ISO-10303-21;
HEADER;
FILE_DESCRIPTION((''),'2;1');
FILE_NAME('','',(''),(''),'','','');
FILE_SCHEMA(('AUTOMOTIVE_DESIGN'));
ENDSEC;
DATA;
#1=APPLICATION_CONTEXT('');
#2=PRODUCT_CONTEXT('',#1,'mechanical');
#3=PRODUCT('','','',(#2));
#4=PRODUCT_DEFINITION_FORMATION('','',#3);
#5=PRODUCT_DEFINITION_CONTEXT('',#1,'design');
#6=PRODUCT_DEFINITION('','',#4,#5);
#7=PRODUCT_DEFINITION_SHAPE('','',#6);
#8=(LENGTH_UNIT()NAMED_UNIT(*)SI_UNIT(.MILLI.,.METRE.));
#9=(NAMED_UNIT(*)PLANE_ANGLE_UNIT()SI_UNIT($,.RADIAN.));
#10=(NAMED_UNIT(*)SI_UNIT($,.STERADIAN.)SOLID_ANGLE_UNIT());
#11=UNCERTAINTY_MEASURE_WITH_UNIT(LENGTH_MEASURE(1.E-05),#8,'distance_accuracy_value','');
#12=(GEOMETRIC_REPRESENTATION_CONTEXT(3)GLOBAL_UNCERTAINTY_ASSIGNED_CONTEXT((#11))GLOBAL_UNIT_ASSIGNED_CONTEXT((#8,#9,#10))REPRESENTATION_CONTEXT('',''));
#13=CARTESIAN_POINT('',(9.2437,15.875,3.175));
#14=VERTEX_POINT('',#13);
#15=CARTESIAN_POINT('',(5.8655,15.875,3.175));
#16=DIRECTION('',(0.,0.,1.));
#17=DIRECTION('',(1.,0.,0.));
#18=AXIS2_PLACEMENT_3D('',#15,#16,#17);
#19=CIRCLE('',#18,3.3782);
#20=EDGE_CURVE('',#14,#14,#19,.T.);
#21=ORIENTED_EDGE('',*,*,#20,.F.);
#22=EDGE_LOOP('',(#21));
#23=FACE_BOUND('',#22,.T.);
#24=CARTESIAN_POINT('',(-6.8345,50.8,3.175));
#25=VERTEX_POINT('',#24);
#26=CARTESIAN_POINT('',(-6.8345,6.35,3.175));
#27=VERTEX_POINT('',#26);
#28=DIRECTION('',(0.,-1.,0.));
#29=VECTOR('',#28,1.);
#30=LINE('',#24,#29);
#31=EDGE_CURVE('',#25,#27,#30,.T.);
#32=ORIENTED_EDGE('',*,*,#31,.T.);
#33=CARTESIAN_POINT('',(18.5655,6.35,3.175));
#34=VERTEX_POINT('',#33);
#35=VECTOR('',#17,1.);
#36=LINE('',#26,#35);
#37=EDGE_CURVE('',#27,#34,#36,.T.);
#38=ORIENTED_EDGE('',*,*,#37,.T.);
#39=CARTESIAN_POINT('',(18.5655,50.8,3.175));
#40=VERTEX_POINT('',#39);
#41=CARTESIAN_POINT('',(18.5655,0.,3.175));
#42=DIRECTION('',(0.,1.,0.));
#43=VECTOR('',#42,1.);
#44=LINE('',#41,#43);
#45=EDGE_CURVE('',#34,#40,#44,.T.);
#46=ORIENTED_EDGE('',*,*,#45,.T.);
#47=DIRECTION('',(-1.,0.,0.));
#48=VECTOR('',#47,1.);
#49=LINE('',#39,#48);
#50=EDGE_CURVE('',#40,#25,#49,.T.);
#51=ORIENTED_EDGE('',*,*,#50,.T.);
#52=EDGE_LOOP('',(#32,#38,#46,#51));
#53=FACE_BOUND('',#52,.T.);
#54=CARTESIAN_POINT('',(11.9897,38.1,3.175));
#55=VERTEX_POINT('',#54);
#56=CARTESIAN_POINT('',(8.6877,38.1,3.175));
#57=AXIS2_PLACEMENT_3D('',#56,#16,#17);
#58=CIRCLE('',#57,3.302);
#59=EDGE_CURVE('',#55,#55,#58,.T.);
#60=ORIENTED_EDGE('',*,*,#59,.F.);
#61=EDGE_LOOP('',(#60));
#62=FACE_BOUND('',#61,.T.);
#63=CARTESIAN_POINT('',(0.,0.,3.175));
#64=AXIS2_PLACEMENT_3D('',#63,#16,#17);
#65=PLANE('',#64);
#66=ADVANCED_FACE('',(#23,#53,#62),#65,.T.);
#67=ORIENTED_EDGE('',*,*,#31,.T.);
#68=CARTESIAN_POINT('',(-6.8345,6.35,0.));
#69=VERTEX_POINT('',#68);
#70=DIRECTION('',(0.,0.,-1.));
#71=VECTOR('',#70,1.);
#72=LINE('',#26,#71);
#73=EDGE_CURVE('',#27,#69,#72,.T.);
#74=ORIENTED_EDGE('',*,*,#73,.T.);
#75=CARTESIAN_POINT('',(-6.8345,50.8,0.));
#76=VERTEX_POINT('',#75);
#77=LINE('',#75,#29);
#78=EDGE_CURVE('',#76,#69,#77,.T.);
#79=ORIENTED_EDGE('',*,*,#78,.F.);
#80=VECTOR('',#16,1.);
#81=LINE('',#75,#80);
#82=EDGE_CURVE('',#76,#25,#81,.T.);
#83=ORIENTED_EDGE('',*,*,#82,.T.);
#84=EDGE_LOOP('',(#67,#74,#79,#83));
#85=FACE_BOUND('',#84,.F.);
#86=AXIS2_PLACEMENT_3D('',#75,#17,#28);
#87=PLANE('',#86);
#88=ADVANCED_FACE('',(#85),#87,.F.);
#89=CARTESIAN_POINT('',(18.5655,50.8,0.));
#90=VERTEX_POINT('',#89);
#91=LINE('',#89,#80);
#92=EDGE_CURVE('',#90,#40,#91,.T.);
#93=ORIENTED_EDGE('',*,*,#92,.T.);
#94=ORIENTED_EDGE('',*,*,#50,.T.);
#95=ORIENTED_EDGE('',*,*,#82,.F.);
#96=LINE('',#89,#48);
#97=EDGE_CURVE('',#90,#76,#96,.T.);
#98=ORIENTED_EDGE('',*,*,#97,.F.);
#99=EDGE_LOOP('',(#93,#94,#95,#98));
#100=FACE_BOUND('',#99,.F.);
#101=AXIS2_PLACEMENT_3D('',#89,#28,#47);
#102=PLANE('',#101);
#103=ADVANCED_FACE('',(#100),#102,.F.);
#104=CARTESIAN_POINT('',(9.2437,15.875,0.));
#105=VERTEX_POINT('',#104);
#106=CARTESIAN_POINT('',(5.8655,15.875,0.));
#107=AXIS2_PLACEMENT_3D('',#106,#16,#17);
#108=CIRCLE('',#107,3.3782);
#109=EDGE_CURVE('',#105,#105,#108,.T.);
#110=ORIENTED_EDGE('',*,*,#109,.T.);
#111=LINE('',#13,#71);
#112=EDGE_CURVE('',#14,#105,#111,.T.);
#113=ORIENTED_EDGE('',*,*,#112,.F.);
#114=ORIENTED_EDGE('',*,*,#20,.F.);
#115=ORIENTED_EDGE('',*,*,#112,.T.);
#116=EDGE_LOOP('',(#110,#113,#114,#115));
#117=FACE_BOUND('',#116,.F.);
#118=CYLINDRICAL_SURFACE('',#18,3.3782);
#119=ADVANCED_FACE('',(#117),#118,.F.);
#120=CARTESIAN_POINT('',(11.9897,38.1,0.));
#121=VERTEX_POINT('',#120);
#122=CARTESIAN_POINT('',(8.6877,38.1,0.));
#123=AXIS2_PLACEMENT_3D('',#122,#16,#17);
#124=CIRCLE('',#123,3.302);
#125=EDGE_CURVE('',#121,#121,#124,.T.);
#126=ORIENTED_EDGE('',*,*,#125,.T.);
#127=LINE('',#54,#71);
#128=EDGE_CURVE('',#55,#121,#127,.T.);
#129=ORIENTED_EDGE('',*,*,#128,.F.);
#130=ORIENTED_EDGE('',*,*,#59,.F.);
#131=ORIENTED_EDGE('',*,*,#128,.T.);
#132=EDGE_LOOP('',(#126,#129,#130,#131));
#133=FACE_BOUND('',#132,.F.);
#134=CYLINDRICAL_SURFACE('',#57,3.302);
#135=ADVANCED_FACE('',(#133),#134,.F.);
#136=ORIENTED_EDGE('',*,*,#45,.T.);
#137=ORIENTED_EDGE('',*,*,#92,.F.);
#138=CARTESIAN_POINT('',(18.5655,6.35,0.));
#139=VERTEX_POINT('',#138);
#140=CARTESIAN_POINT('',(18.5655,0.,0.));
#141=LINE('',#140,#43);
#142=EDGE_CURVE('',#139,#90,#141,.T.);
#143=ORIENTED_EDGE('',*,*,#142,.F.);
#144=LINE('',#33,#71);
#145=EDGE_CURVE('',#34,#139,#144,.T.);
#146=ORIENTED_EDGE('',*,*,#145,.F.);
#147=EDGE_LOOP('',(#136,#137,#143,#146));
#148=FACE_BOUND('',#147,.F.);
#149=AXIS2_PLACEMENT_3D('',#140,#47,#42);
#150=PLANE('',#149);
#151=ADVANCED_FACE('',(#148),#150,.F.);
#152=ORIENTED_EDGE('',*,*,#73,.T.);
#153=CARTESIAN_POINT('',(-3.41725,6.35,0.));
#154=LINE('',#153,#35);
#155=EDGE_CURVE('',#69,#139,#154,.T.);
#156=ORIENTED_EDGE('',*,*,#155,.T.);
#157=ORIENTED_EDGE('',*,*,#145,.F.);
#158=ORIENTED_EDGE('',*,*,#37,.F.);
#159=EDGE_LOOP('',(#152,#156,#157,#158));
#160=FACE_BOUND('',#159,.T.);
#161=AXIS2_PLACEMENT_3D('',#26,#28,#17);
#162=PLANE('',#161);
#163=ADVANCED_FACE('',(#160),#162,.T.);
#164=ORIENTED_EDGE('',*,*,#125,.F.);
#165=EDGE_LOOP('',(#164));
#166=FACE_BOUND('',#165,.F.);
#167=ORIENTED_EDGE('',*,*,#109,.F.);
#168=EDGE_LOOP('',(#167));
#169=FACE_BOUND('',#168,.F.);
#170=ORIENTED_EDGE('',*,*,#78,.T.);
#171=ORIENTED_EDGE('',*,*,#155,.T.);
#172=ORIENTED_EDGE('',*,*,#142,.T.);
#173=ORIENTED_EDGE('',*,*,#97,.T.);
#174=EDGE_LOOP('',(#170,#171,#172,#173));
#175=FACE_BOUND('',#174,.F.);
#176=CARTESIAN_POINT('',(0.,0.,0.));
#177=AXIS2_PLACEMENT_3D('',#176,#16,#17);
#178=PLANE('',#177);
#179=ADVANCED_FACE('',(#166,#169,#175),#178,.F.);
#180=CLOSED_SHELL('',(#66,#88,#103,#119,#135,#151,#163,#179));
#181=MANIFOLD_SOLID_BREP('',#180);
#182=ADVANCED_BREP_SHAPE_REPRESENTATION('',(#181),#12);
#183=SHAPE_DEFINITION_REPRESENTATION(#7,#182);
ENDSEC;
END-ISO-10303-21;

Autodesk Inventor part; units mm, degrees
ref_plane "YZ Plane" through (0, 0, 0) normal (1, 0, 0) x (0, 1, 0)
ref_plane "XZ Plane" through (0, 0, 0) normal (0, 1, 0) x (-1, 0, 0)
ref_plane "XY Plane" through (0, 0, 0) normal (0, 0, 1) x (1, 0, 0)
sketch "Sketch1" plane through (0, 0, 0) normal (0, 0, 1) x (1, 0, 0)
  line L0 (0, 0) -> (-6.8345, 0)
  line L1 (-6.8345, 0) -> (18.5655, 0)
  line L2 (18.5655, 0) -> (18.5655, 50.8)
  line L3 (18.5655, 50.8) -> (-6.8345, 50.8)
  line L4 (-6.8345, 50.8) -> (-6.8345, 0)
  dimension "d0" = 25.4
  dimension "d1" = 50.8
extrude "Extrusion1" add sketch "Sketch1" along normal blind 3.175
sketch "Sketch2" plane through (0, 0, 3.175) normal (0, 0, 1) x (1, 0, 0)
  circle A0 centre (5.8655, 15.875) radius 3.3782 projected
  circle A1 centre (8.6877, 38.1) radius 3.302 projected
  point P0 (0, 0)
extrude "Extrusion2" cut sketch "Sketch2" against normal blind 25.4
sketch "Sketch3" plane through (0, 0, 3.175) normal (0, 0, 1) x (1, 0, 0)
  line L0 (-6.8345, 0) -> (18.5655, 0) projected
  line L1 (18.5655, 0) -> (18.5655, 50.8) projected
  line L2 (-6.8345, 50.8) -> (-6.8345, 0) projected
  line L3 (-6.8345, 0) -> (-6.8345, 6.35)
  line L4 (-6.8345, 6.35) -> (18.5655, 6.35)
  point P0 (0, 0)
  dimension "d6" = 6.35
extrude "Extrusion3" cut sketch "Sketch3" against normal blind 25.4
properties part number "winch mount back support"
